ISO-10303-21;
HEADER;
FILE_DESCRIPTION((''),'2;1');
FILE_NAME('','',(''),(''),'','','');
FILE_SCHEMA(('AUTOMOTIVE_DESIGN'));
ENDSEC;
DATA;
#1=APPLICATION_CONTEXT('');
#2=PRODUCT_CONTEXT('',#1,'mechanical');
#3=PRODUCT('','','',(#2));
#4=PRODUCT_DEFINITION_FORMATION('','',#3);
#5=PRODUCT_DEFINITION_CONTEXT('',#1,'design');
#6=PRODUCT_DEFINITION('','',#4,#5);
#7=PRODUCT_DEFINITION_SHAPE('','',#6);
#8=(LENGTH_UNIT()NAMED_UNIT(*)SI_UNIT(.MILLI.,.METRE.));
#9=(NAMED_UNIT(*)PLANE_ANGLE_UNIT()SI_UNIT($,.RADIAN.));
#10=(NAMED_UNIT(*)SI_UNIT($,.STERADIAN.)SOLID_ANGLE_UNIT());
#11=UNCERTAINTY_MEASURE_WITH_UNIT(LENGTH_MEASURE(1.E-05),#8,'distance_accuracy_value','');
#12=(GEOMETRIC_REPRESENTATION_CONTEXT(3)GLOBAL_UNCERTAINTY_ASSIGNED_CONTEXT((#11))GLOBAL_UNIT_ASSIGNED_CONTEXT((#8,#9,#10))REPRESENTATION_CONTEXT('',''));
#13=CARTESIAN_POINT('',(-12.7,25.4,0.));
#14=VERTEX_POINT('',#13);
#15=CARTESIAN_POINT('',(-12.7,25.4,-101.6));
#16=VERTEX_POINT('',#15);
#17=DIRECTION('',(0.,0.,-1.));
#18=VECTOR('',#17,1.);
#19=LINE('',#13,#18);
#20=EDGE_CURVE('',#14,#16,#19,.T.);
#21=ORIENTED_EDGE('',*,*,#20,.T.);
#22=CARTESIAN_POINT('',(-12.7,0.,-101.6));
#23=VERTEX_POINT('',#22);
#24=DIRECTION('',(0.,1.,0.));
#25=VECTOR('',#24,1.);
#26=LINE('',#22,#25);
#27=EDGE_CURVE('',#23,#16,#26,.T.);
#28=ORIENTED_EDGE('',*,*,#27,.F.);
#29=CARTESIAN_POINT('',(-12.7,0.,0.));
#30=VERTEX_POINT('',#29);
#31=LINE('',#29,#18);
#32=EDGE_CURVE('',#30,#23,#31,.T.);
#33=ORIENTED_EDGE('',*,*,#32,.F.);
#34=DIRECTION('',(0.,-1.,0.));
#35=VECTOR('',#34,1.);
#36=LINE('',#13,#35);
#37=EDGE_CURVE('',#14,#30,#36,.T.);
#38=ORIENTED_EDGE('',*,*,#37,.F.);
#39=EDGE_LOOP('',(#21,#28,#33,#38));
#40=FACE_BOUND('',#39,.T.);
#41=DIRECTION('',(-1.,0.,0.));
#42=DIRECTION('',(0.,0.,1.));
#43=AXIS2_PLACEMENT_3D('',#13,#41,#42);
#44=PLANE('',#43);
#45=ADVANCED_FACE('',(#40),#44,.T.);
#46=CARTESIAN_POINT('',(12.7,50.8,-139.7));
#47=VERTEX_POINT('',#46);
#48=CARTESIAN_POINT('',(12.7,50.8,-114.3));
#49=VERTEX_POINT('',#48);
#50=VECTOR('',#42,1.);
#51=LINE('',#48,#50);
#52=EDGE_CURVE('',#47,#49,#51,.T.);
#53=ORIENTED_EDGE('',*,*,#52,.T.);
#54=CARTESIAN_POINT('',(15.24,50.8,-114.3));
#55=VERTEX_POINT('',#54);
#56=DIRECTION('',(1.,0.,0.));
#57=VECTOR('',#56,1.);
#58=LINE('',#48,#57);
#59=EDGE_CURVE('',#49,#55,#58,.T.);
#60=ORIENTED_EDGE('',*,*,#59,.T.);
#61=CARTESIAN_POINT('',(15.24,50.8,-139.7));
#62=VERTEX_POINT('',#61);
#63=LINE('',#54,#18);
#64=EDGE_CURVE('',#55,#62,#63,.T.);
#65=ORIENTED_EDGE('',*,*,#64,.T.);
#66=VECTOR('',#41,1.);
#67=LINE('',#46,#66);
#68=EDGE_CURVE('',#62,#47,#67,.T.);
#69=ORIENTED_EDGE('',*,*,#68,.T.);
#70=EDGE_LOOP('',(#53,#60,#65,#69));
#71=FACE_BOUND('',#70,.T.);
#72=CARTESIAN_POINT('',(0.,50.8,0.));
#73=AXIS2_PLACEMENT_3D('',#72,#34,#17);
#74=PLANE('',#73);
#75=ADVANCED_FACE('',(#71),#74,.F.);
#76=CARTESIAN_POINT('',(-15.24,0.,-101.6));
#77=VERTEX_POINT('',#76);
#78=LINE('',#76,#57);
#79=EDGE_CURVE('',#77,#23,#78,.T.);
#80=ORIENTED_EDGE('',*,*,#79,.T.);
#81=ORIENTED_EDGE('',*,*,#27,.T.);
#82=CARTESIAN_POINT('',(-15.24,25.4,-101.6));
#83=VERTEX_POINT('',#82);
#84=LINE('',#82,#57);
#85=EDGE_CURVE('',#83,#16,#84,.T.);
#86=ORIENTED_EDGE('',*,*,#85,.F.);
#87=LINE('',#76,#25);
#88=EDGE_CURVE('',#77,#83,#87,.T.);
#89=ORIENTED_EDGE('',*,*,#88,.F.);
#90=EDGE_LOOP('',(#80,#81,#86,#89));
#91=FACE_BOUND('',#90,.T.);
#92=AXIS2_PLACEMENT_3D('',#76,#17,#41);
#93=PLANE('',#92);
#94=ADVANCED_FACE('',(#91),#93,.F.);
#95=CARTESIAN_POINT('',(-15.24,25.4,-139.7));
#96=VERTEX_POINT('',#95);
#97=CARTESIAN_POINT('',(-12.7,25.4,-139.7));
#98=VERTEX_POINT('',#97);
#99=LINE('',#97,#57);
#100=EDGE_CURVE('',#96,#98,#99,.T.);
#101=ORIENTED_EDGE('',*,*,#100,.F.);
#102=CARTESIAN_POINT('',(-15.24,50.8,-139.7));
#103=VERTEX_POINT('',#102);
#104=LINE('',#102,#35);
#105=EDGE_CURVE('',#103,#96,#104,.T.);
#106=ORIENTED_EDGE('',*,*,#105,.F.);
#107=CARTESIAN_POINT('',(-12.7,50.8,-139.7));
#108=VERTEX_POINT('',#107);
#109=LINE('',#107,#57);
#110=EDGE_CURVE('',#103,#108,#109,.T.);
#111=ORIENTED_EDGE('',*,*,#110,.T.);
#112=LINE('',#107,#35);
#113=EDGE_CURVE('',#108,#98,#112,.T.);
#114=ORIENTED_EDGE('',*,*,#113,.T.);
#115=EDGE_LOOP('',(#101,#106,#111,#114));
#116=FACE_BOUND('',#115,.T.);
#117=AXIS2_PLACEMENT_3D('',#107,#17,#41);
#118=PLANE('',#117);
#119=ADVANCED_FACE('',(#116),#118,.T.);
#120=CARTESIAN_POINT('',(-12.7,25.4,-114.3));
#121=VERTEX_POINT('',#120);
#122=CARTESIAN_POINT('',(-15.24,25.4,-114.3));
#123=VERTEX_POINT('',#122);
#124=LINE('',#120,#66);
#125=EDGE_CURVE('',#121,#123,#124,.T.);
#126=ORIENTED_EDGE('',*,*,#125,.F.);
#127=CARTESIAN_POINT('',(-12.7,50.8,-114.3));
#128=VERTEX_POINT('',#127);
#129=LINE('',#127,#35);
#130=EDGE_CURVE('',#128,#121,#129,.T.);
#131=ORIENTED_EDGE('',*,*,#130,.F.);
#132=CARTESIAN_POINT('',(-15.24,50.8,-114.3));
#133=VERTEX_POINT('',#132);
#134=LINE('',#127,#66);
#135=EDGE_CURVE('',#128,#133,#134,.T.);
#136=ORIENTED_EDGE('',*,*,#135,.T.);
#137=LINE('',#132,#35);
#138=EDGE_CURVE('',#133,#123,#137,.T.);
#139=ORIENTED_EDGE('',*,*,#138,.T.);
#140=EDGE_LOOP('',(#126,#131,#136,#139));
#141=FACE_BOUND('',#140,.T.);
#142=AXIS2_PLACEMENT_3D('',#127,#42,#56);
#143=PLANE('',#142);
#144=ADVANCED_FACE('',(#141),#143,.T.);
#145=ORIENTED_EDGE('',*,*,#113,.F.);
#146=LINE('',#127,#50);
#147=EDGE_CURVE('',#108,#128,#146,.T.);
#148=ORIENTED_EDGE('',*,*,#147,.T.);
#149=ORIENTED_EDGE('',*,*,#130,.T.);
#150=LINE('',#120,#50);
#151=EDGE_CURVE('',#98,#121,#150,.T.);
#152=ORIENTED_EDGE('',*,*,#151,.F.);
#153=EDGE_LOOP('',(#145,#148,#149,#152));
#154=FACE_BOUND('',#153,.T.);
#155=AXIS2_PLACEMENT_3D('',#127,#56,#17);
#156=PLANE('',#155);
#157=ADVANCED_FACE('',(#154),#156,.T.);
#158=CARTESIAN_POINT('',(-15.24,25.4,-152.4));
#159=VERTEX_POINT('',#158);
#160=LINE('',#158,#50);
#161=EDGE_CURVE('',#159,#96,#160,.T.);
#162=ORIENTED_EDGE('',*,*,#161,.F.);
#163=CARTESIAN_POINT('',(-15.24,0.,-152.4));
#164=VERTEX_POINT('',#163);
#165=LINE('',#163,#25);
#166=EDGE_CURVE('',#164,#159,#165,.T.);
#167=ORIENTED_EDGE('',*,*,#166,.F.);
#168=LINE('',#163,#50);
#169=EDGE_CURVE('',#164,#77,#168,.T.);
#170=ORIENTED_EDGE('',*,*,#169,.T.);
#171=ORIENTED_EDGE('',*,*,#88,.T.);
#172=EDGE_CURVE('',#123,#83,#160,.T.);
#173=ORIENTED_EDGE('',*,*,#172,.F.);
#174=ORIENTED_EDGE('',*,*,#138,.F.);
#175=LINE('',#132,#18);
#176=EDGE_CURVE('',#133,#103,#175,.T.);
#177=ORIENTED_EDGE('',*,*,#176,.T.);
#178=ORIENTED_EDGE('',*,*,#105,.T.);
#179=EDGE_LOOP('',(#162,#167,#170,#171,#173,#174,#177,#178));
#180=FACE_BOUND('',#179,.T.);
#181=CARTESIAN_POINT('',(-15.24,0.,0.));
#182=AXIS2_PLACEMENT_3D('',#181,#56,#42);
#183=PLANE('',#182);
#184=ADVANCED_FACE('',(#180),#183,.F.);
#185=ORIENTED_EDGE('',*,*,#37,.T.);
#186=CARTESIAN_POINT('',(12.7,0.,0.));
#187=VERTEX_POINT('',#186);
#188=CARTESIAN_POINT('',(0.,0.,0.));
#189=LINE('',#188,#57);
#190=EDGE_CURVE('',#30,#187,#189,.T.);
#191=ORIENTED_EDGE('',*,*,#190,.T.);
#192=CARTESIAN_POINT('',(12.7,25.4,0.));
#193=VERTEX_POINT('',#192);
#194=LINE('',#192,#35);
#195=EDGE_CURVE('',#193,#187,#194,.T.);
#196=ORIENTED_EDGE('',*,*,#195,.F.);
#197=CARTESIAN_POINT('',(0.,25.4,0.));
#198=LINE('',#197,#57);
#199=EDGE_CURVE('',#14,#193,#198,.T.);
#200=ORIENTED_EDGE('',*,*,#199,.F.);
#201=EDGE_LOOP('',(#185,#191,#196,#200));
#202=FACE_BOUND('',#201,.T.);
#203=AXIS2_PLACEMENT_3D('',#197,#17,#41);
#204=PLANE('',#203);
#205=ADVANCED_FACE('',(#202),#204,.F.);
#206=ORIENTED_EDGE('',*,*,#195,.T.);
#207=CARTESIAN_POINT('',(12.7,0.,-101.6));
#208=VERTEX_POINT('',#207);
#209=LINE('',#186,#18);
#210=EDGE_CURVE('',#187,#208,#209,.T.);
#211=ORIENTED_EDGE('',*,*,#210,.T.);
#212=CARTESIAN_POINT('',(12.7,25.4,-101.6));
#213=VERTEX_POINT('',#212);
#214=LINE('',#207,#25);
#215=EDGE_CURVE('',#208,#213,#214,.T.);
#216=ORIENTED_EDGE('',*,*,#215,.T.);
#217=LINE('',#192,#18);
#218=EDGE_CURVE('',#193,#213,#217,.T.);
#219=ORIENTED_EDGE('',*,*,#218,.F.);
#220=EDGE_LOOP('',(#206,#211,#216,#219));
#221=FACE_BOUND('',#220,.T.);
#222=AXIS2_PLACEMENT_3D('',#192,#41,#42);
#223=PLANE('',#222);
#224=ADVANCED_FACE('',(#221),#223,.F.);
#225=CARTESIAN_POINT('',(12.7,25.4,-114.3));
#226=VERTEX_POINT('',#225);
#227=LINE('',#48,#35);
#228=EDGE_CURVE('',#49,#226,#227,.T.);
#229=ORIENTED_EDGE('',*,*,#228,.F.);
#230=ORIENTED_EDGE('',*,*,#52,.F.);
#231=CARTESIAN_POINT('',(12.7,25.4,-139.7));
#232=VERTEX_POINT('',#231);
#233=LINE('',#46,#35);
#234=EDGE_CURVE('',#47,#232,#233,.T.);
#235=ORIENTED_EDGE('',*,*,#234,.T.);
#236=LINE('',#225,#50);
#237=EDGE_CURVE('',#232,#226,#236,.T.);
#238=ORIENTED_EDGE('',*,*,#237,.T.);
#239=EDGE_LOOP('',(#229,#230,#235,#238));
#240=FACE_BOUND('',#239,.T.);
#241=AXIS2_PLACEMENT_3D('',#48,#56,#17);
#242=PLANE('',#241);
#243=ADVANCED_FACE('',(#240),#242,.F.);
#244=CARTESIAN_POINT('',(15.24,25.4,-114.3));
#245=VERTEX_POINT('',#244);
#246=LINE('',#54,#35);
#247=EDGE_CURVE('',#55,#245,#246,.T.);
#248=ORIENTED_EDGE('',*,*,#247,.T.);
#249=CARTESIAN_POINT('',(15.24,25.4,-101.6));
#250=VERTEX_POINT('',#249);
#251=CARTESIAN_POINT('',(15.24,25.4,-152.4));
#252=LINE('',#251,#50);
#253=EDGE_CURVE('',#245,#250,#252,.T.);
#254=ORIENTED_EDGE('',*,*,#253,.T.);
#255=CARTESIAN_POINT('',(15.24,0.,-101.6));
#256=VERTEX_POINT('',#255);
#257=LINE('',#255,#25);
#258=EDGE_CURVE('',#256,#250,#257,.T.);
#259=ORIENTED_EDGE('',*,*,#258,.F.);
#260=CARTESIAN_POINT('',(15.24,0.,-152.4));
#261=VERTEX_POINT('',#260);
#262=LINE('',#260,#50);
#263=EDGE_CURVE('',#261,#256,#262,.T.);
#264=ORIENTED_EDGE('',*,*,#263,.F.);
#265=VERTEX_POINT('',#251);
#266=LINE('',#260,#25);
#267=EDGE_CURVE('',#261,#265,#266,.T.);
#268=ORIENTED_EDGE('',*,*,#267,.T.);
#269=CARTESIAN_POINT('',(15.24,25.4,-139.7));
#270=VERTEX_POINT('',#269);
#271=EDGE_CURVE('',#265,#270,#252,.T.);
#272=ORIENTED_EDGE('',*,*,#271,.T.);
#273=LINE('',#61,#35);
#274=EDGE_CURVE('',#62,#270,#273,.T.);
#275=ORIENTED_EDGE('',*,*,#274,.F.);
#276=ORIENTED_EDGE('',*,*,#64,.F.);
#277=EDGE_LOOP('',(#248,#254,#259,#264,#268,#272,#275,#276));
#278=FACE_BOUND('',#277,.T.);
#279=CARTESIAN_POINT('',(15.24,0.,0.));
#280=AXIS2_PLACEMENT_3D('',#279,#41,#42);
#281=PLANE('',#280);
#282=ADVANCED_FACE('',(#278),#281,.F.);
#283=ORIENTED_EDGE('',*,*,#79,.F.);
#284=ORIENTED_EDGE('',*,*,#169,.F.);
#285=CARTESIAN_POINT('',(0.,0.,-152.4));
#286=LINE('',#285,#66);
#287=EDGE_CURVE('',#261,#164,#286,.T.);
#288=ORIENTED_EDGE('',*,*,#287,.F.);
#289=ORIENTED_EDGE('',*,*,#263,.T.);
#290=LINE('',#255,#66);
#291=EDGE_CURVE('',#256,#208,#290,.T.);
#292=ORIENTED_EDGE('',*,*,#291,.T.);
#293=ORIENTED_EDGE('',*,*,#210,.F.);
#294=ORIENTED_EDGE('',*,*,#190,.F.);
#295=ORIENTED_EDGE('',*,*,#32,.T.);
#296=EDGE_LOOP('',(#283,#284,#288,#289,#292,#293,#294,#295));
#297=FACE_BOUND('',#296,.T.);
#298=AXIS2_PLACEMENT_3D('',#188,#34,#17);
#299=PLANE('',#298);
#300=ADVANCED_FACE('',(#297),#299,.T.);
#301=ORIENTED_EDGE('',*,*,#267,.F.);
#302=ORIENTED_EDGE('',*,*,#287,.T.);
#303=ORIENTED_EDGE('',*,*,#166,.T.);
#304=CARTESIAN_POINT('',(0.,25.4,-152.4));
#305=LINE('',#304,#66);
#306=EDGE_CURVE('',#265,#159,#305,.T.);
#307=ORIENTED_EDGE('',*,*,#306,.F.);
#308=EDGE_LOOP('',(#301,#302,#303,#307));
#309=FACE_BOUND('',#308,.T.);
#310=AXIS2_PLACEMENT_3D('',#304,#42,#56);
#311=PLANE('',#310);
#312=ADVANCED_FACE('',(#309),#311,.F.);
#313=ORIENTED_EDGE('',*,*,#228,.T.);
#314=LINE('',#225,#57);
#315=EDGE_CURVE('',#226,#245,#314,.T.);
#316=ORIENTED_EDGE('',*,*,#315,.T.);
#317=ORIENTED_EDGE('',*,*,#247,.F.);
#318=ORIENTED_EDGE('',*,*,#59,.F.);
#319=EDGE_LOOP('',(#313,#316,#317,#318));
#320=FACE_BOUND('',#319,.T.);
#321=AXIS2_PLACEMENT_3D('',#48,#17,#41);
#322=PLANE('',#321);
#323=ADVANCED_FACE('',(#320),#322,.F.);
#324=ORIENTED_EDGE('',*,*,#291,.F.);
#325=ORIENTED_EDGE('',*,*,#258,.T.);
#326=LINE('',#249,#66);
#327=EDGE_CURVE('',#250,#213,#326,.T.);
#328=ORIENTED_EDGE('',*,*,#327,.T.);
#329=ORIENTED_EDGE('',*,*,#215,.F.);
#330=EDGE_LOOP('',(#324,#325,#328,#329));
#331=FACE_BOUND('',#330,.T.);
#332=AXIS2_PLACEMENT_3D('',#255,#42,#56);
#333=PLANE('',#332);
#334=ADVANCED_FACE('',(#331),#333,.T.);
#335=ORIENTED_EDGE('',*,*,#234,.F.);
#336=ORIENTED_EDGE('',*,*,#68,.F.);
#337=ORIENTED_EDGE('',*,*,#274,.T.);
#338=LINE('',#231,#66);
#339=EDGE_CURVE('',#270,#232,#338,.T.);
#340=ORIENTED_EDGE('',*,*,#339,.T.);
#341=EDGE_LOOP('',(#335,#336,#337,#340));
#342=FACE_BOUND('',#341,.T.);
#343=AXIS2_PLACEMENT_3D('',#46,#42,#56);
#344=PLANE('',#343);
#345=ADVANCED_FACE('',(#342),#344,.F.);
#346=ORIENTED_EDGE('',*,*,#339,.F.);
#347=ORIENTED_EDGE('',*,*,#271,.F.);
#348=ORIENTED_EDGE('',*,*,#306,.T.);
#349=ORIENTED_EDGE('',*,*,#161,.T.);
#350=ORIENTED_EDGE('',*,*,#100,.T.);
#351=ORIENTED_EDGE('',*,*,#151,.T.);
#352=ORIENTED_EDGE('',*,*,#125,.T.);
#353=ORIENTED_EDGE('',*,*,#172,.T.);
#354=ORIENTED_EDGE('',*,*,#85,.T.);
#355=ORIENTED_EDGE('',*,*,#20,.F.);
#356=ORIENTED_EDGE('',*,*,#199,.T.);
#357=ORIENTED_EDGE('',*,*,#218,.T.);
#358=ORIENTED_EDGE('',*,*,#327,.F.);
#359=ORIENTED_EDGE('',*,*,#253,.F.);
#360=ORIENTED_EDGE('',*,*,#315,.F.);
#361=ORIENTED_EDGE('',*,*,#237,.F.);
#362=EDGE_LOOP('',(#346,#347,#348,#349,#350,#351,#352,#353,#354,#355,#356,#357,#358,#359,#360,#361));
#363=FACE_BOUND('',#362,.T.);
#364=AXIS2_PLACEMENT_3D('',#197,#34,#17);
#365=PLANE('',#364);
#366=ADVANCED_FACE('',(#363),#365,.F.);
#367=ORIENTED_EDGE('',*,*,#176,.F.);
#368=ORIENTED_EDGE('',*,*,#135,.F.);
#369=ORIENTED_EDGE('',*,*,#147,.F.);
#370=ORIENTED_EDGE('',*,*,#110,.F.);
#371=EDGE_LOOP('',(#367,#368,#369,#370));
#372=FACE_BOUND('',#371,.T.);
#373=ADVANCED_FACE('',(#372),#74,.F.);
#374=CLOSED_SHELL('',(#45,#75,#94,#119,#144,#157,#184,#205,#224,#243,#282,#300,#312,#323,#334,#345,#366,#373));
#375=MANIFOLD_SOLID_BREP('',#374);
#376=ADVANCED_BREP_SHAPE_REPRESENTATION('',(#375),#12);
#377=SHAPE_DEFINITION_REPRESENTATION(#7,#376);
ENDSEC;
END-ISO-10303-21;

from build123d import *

# Parameters (mm, degrees)
SKETCH1_W           = 12.7
SKETCH1_H           = 152.4
BOSS_EXTRUDE1_DEPTH = 25.4
SKETCH6_W           = 50.8
SKETCH6_H           = 25.4
BOSS_EXTRUDE5_DEPTH = 2.54
SKETCH7_W           = 2.54
SKETCH7_H           = 25.4
BOSS_EXTRUDE6_DEPTH = 25.4


with BuildPart() as part:
    # Sketch1 → Boss-Extrude1 (new body)
    with BuildSketch(Plane(origin=(0, 0, 0), x_dir=(1, 0, 0), z_dir=(0, 1, 0))):
        with Locations((6.35, 76.2)):
            Rectangle(SKETCH1_W, SKETCH1_H)
    boss_extrude1 = extrude(amount=BOSS_EXTRUDE1_DEPTH)

    # Sketch6 → Boss-Extrude5 (add)
    with BuildSketch(Plane(origin=(12.7, 0, 0), x_dir=(0, 0, -1), z_dir=(1, 0, 0))):
        with Locations((127, 12.7)):
            Rectangle(SKETCH6_W, SKETCH6_H)
    boss_extrude5 = extrude(amount=BOSS_EXTRUDE5_DEPTH)

    # Sketch7 → Boss-Extrude6 (add)
    with BuildSketch(Plane(origin=(0, 25.4, 0), x_dir=(1, 0, 0), z_dir=(0, 1, 0))):
        with Locations((13.97, 127)):
            Rectangle(SKETCH7_W, SKETCH7_H)
    boss_extrude6 = extrude(amount=BOSS_EXTRUDE6_DEPTH)

    # Mirror1: Boss-Extrude1, Boss-Extrude5, Boss-Extrude6 across plane
    add(boss_extrude1.mirror(Plane(origin=(0, 25.4, 0), x_dir=(0, 0, 1), z_dir=(1, 0, 0))))
    add(boss_extrude5.mirror(Plane(origin=(0, 25.4, 0), x_dir=(0, 0, 1), z_dir=(1, 0, 0))))
    add(boss_extrude6.mirror(Plane(origin=(0, 25.4, 0), x_dir=(0, 0, 1), z_dir=(1, 0, 0))))


solid = part.part
